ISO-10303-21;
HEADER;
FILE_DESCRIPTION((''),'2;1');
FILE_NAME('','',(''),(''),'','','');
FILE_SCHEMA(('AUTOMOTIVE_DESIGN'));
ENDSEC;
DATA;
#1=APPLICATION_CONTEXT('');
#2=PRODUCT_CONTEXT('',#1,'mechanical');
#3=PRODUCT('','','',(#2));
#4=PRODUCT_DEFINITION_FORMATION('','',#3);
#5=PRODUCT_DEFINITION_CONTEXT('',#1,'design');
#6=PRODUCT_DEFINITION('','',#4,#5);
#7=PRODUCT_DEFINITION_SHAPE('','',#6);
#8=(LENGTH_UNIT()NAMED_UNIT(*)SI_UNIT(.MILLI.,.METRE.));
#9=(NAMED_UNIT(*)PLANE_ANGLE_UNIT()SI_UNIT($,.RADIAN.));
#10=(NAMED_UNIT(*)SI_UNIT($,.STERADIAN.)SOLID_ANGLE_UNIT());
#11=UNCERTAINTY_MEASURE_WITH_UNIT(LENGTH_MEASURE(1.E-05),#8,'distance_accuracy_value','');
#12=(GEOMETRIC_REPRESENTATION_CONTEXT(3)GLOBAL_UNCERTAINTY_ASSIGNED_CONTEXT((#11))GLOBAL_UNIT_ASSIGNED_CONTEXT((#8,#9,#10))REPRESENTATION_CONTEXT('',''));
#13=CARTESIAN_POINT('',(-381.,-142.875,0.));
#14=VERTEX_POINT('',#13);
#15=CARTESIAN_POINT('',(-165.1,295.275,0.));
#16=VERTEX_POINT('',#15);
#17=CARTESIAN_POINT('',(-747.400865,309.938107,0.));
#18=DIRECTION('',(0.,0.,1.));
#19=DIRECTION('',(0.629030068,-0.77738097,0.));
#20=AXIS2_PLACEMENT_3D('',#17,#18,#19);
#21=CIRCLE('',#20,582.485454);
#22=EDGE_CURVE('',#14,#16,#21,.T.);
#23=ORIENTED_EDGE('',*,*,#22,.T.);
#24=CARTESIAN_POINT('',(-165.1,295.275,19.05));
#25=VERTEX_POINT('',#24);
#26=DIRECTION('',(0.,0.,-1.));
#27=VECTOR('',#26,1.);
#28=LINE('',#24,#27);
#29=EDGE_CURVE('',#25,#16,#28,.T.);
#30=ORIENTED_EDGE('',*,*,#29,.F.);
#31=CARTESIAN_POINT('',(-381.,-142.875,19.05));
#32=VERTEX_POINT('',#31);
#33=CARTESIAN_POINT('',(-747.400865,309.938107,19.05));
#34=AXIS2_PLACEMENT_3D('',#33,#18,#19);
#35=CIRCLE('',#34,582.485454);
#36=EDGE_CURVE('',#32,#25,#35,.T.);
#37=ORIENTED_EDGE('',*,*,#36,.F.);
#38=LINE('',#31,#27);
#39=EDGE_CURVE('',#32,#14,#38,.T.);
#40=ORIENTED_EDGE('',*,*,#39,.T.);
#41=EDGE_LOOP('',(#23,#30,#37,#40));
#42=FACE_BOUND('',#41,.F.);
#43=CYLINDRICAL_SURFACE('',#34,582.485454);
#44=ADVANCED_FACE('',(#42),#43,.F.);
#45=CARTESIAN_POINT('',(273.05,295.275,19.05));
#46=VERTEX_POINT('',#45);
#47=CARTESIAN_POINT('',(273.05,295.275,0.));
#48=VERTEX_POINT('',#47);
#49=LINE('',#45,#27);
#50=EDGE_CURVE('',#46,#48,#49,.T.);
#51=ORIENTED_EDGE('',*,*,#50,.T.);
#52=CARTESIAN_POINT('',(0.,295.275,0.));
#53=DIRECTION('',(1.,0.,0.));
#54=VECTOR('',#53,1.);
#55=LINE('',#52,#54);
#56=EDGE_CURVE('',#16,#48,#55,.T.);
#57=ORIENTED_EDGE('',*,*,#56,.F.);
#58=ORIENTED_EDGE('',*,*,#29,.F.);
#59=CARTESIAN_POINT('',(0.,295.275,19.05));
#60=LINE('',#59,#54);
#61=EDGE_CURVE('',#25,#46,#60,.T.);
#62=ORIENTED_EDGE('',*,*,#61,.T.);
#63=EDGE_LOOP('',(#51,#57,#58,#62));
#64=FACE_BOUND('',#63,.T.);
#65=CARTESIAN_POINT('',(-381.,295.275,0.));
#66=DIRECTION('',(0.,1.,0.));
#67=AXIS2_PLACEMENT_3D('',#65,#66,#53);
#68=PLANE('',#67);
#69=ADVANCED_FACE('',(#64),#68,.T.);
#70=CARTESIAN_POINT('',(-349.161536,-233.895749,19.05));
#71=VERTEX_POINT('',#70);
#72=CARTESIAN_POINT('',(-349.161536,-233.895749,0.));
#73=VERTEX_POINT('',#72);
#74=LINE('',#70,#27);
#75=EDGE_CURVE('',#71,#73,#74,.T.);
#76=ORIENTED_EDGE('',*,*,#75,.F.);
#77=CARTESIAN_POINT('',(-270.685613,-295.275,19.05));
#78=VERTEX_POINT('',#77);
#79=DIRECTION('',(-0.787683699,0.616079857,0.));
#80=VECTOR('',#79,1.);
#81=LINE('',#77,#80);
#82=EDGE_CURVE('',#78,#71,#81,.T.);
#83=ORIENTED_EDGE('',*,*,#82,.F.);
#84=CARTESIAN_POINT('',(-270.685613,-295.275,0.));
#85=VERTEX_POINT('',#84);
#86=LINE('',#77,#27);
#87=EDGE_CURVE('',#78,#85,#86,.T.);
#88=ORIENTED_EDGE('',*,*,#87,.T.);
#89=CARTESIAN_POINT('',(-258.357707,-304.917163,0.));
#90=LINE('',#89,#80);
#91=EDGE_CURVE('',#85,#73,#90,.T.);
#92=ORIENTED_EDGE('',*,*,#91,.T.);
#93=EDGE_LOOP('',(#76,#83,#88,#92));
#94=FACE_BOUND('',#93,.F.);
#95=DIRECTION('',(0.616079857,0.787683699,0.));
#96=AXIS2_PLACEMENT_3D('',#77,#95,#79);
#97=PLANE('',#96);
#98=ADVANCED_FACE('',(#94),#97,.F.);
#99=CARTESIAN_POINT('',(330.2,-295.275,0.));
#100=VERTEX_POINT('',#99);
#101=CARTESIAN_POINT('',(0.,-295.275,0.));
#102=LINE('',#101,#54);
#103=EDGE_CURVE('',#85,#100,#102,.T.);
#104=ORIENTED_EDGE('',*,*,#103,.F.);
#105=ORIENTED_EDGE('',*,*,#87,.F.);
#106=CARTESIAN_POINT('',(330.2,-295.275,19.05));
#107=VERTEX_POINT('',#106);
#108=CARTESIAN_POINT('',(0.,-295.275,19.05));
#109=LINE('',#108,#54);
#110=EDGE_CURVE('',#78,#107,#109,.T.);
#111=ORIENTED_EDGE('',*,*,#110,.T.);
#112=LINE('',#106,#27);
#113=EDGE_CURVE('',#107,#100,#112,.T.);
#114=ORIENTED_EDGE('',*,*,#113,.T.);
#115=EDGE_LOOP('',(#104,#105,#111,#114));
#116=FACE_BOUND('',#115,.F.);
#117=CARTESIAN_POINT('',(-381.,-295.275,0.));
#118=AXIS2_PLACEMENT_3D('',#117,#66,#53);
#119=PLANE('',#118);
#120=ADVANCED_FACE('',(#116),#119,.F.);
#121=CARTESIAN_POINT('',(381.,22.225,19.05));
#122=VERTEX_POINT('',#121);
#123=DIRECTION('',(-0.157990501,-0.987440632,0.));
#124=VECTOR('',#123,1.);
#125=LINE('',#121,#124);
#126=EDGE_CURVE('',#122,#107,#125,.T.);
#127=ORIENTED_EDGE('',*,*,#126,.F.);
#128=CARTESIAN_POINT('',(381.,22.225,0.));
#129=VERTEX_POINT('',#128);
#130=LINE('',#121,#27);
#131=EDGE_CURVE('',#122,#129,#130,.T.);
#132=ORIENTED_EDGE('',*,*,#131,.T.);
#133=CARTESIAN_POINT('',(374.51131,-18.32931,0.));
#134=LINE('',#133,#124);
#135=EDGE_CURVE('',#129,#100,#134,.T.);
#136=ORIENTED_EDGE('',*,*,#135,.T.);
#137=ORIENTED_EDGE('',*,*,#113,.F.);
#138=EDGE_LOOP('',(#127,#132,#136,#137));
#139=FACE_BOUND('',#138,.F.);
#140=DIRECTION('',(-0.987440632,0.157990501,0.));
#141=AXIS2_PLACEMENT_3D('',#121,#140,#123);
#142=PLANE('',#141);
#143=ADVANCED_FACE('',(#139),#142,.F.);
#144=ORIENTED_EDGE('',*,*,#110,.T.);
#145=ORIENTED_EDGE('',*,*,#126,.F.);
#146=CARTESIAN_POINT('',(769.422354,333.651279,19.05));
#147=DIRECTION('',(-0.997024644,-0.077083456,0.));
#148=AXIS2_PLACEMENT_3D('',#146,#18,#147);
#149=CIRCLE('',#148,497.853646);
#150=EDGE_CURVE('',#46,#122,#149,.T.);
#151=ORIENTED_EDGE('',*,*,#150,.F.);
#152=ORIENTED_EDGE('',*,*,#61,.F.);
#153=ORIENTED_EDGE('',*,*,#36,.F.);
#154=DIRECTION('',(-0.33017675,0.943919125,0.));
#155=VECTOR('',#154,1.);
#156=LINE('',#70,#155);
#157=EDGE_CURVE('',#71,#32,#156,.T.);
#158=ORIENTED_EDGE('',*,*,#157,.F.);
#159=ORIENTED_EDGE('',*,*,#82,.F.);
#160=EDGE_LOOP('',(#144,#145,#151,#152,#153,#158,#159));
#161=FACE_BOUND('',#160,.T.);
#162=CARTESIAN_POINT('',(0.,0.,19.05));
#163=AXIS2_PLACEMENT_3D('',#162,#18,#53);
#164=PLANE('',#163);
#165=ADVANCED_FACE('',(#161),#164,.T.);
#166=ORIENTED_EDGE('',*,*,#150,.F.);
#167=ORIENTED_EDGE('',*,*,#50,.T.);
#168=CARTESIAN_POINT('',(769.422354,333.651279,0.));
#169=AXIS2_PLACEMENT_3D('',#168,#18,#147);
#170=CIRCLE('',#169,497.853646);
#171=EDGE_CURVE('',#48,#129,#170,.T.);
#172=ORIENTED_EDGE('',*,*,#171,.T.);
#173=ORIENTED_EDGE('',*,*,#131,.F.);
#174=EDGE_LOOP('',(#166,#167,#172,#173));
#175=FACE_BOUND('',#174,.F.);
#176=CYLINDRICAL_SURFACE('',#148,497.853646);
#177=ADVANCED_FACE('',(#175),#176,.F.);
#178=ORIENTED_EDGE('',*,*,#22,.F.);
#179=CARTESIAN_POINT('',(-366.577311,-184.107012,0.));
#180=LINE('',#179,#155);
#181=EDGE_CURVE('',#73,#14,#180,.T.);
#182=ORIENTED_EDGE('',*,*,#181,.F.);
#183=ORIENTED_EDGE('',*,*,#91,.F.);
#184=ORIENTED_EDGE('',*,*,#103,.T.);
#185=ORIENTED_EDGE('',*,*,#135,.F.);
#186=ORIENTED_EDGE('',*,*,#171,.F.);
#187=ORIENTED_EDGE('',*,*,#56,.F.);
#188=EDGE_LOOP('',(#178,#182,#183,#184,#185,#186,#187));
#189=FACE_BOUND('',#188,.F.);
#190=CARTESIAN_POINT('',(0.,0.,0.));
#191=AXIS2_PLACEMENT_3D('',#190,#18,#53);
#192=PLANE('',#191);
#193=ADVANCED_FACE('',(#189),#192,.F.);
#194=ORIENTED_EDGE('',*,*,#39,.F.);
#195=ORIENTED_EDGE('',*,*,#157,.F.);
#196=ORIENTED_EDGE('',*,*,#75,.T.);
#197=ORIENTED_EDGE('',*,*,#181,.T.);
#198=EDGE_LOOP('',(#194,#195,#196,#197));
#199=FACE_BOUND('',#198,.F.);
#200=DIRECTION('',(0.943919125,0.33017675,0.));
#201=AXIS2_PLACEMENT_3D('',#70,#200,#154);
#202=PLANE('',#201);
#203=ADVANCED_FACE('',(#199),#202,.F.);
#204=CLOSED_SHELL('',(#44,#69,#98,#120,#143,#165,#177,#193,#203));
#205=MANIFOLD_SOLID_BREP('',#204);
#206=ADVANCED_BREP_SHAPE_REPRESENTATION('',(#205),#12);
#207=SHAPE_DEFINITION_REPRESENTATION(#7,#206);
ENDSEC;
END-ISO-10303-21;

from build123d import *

# Parameters (mm, degrees)
F0_W     = 762
F0_H     = 590.55
F1_DEPTH = 19.05
F3_DEPTH = 25.4
F5_DEPTH = 25.4
F7_DEPTH = 25.4
F9_DEPTH = 25.4


with BuildPart() as f1:
    # F0 (on Top) → F1 (new body)
    with BuildSketch(Plane.XY):
        Rectangle(F0_W, F0_H)
    extrude(amount=F1_DEPTH)

    # F2 (on face) → F3 (cut)
    with BuildSketch(Plane.XY.offset(19.05)):
        with BuildLine():
            ThreePointArc((-381, -142.875), (-224.904359, 52.476061), (-165.1, 295.275))
            Line((-165.1, 295.275), (-381, 295.275))
            Line((-381, 295.275), (-381, -142.875))
        make_face()
    extrude(amount=-F3_DEPTH, mode=Mode.SUBTRACT)

    # F4 (on face) → F5 (cut)
    with BuildSketch(Plane.XY.offset(19.05)):
        with BuildLine():
            Line((381, 22.225), (381, 295.275))
            Line((381, 295.275), (273.05, 295.275))
            ThreePointArc((273.05, 295.275), (306.438019, 150.610961), (381, 22.225))
        make_face()
    extrude(amount=-F5_DEPTH, mode=Mode.SUBTRACT)

    # F6 (on face) → F7 (cut)
    with BuildSketch(Plane.XY.offset(19.05)):
        Polygon((381, -295.275), (381, 22.225), (330.2, -295.275), align=None)
    extrude(amount=-F7_DEPTH, mode=Mode.SUBTRACT)

    # F8 (on face) → F9 (cut)
    with BuildSketch(Plane.XY.offset(19.05)):
        Polygon((-349.161536, -233.895749), (-381, -142.875), (-381, -295.275), (-270.685613, -295.275), align=None)
    extrude(amount=-F9_DEPTH, mode=Mode.SUBTRACT)


solid = f1.part
